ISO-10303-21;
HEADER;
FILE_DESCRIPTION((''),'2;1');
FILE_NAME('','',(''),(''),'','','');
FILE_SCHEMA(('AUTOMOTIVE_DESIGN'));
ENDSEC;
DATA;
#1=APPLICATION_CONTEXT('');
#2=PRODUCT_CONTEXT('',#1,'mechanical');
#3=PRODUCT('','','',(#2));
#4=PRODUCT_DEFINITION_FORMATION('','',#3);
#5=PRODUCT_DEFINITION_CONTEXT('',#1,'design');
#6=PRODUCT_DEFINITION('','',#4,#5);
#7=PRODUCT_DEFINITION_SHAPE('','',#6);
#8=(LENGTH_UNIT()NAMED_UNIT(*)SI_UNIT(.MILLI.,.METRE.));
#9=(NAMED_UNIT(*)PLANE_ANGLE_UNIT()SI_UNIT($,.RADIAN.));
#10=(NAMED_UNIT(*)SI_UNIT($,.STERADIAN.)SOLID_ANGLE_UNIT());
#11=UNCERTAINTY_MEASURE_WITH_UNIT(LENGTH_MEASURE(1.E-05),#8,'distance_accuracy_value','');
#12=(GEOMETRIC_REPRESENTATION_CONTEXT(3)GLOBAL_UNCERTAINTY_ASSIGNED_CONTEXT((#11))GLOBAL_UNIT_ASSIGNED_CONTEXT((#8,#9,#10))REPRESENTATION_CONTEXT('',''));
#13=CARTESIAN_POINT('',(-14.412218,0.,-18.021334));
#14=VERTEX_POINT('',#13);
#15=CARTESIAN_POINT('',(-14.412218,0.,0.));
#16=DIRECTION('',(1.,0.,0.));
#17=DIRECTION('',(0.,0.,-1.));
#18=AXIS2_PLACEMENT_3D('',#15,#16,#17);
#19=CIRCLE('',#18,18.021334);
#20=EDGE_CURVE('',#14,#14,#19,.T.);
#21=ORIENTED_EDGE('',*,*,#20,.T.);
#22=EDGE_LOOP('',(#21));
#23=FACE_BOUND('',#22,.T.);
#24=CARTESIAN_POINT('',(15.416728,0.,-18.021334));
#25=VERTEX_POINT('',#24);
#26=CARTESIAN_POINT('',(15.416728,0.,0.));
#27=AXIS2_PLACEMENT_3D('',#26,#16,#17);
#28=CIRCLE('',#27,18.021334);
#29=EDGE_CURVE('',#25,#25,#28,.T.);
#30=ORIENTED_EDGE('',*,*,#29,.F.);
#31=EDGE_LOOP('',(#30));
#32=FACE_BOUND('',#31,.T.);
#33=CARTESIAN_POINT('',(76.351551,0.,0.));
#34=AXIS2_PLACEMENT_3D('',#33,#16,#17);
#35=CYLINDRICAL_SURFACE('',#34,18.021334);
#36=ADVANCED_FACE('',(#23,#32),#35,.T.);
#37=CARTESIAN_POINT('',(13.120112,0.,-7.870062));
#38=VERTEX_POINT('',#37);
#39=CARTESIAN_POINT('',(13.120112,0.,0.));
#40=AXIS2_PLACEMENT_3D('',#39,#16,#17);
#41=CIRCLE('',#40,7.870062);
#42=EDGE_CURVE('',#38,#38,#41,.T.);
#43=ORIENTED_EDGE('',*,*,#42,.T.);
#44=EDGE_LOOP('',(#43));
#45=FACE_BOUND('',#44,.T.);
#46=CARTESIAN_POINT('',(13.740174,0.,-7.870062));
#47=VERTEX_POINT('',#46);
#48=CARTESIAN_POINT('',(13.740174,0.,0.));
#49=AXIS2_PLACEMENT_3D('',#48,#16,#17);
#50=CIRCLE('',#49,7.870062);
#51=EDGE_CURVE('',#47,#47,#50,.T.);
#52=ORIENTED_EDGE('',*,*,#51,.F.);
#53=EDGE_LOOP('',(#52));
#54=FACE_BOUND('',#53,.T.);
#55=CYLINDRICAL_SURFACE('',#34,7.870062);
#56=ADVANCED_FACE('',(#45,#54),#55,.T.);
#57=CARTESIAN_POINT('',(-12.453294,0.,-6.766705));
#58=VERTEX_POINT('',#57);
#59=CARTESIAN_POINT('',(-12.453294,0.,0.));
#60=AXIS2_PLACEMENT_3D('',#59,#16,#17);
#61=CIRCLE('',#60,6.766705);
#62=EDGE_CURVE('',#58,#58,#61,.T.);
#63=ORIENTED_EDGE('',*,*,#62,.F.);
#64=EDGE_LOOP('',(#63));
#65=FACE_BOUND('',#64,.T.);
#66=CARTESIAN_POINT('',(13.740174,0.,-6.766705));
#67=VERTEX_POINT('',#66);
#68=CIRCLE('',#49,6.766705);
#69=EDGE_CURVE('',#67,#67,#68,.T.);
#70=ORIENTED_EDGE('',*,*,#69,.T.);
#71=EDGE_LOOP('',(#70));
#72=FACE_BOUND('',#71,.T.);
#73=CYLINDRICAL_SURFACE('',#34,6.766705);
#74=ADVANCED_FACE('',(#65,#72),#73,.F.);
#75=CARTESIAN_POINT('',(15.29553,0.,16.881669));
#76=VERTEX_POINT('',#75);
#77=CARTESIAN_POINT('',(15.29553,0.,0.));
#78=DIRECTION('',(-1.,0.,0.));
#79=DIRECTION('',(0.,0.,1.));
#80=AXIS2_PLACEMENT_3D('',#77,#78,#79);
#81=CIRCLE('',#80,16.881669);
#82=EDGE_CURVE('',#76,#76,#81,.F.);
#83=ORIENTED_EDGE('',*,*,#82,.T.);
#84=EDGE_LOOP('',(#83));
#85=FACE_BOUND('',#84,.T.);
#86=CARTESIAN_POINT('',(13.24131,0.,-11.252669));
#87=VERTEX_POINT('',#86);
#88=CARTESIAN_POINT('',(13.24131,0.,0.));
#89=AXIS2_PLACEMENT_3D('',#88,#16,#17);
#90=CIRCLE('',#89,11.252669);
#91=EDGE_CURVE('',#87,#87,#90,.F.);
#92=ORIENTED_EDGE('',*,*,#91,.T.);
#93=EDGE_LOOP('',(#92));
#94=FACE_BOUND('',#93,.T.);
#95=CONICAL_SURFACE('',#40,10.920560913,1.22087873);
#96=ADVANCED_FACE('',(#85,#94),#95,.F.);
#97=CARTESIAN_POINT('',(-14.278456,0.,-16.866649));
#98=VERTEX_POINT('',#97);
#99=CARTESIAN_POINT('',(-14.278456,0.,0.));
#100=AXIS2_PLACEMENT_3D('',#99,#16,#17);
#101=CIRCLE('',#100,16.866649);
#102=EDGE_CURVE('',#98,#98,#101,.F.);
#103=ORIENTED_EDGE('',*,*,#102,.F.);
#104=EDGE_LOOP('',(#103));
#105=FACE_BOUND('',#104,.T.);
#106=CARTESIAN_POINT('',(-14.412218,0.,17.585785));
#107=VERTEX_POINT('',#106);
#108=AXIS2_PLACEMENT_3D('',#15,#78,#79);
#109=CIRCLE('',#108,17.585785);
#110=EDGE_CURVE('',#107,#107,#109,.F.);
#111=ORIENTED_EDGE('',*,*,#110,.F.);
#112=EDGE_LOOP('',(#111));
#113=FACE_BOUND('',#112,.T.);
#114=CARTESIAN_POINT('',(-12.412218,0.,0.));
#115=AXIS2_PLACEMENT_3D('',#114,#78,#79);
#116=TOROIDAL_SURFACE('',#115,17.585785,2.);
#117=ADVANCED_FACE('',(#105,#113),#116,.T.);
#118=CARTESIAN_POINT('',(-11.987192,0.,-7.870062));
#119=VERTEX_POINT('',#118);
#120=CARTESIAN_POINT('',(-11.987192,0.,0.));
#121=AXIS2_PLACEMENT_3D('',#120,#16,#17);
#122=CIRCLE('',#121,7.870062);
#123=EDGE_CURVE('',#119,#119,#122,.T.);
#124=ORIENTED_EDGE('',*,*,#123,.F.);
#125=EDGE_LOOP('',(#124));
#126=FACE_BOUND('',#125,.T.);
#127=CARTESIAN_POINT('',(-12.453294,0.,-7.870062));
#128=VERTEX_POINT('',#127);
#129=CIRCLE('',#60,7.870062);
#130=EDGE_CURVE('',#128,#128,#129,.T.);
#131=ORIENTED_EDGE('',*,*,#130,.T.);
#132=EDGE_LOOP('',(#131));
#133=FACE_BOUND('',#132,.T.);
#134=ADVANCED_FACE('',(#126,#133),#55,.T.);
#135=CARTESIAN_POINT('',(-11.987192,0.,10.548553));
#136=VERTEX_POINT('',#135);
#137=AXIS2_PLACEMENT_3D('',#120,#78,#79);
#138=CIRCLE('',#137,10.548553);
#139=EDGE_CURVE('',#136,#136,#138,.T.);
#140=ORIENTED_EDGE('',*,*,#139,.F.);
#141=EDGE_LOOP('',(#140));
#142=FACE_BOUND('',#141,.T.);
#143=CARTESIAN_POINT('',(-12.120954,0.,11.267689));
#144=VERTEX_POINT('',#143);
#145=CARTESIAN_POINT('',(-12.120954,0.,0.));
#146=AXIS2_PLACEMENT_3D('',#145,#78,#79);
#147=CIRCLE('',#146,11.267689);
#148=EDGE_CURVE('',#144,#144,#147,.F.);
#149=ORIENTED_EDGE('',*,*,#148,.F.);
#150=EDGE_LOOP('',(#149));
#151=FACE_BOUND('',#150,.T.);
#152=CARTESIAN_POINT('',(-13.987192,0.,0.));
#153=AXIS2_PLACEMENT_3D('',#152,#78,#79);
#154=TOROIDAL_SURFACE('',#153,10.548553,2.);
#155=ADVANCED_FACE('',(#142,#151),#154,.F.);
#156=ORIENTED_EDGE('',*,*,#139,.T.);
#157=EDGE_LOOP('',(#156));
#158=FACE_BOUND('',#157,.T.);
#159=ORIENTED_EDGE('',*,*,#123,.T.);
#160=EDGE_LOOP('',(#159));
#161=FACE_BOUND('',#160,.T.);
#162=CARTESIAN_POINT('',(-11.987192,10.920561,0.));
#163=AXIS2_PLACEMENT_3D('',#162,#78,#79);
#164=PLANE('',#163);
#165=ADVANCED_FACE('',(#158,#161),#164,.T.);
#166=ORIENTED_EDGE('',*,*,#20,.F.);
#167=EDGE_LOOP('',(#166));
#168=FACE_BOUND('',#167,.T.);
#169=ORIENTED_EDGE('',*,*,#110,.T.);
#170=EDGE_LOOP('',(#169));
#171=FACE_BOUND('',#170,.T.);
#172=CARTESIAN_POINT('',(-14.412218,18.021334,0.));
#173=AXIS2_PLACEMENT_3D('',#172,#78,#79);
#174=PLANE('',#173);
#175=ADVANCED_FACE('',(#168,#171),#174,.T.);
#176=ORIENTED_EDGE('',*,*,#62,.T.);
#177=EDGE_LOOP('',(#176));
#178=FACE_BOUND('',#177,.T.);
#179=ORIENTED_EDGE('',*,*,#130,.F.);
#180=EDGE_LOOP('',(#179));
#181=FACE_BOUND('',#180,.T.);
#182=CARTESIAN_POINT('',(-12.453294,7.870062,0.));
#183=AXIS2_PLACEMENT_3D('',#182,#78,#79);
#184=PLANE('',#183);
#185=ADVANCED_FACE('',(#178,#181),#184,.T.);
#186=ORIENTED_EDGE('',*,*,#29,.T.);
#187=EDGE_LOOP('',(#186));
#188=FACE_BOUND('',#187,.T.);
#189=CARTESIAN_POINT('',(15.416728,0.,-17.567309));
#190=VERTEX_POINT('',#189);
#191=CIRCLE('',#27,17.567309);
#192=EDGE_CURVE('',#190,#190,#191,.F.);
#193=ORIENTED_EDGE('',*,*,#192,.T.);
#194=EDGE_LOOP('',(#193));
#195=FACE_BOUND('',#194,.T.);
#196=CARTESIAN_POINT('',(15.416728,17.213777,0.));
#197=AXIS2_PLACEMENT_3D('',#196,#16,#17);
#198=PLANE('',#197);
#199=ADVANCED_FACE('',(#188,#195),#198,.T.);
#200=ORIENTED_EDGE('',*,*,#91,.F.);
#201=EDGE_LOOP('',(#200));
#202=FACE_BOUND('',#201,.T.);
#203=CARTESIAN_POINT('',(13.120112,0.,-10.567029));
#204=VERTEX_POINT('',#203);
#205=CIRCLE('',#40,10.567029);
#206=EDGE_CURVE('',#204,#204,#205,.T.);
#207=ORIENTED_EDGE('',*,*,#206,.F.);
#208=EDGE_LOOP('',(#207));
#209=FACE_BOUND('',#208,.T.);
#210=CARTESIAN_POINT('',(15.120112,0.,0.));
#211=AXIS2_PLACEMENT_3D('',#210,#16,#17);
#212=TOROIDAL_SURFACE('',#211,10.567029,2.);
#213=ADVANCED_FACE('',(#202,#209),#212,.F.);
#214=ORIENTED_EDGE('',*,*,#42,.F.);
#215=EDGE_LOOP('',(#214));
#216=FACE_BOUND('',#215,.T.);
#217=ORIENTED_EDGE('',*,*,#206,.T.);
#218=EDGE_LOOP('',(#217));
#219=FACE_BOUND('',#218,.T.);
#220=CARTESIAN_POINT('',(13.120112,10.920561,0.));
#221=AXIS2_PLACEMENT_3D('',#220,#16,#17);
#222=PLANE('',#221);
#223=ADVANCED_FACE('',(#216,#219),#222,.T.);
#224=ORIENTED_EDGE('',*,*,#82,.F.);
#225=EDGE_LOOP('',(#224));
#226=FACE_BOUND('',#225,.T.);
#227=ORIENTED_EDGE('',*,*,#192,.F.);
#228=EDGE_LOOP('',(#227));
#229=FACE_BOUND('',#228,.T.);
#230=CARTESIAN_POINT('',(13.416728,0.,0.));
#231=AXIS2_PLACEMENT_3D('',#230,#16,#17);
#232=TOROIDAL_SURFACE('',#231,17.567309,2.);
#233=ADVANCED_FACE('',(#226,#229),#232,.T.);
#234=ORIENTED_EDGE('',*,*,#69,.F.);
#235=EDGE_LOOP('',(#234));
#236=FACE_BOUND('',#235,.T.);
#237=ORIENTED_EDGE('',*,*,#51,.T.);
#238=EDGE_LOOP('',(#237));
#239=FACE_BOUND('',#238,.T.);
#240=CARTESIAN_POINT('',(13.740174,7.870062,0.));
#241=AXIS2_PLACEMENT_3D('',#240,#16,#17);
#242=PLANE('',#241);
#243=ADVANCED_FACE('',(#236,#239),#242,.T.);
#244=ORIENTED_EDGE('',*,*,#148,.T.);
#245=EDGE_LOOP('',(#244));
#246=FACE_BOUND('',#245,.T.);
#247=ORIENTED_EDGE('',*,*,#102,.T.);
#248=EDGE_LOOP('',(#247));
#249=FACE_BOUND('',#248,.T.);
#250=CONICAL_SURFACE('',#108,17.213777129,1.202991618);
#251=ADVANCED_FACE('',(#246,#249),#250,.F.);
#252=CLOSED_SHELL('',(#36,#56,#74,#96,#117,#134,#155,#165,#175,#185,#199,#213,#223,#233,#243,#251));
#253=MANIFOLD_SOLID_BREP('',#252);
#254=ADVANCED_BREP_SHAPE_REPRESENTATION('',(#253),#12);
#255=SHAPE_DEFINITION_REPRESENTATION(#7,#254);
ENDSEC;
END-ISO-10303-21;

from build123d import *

# Parameters (mm, degrees)
FILLET2_R = 2


with BuildPart() as part:
    # Sketch1 → Revolve1 (revolve)
    with BuildSketch(Plane.XY):
        Polygon((-14.412217993, 18.021334137), (-14.412217993, 17.213777129), (-11.987191568, 10.920560913), (-11.987191568, 7.870061872), (-12.453293915, 7.870061872), (-12.453293915, 6.766705429), (-11.987191568, 6.766705429), (13.120112204, 6.766705429), (13.74017448, 6.766705429), (13.74017448, 7.870061872), (13.120112204, 7.870061872), (13.120112204, 10.920560913), (15.416727783, 17.213777129), (15.416727783, 18.021334137), align=None)
    revolve(axis=Axis((76.351551313, 0, 0), (-1, 0, 0)))

    # Fillet2
    fillet2_edges = [part.edges().sort_by_distance(p)[0] for p in [
        (15.416727783, -17.213777129, 0),
        (13.120112204, -10.920560913, 0),
        (-11.987191568, -10.920560913, 0),
        (-14.412217993, -17.213777129, 0),
    ]]
    fillet(fillet2_edges, radius=FILLET2_R)


solid = part.part
